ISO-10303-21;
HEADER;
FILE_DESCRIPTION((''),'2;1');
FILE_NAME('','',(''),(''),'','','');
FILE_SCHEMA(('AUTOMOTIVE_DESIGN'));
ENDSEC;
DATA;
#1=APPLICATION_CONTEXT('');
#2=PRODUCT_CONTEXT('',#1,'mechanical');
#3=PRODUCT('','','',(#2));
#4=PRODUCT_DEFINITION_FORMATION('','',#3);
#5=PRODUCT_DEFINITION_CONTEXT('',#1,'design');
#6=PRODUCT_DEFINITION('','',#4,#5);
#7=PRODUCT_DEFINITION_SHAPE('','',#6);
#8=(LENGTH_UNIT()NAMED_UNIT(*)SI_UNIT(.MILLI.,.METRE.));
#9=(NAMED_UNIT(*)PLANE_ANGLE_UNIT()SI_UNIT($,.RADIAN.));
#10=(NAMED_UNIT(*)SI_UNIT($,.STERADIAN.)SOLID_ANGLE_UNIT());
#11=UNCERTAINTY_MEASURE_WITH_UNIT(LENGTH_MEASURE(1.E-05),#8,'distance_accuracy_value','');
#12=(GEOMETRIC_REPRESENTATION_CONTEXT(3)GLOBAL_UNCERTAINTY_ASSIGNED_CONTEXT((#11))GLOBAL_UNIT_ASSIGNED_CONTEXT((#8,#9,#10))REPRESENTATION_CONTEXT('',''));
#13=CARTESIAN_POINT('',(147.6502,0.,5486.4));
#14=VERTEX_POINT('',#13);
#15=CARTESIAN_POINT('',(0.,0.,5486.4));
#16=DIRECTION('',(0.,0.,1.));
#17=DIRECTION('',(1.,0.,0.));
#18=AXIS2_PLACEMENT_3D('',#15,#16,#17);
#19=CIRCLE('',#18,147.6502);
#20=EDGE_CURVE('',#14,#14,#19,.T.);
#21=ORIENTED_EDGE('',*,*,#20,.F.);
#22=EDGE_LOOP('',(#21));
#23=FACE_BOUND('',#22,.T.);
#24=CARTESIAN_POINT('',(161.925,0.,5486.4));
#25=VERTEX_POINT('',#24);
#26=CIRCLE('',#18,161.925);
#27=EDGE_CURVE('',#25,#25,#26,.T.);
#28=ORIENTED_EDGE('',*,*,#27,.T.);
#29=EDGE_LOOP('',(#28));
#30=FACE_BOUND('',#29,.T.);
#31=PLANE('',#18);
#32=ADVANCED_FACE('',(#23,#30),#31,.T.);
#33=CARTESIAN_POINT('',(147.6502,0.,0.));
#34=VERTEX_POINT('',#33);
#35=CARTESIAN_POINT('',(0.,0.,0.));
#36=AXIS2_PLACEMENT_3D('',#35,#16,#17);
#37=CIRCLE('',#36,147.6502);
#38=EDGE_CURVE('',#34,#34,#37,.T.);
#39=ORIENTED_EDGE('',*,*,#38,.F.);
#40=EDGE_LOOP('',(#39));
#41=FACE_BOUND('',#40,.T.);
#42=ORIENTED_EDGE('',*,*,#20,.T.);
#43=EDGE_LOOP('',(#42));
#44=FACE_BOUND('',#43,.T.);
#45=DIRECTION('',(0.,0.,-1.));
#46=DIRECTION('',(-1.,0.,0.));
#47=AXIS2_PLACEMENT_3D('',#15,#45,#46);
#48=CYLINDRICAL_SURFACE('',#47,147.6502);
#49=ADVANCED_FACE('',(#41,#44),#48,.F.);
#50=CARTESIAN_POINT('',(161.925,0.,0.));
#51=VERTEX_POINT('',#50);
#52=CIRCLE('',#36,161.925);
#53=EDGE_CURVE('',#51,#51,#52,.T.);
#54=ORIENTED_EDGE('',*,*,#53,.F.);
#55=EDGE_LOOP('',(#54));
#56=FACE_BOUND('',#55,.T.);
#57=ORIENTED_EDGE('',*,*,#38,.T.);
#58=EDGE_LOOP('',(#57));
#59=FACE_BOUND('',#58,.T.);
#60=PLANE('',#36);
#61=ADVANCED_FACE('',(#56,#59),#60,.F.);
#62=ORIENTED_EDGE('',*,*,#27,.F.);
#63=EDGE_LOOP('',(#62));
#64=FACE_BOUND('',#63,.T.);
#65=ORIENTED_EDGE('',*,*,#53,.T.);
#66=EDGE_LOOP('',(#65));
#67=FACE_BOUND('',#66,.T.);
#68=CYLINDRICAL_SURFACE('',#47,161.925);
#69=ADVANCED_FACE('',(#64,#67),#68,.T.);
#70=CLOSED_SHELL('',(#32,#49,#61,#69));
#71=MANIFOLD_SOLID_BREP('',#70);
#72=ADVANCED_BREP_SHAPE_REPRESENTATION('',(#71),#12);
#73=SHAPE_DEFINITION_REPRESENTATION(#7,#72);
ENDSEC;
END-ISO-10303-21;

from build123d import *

# Parameters (mm, degrees)
PIPESKETCH_R    = 161.925
PIPESKETCH_R_2  = 147.6502
EXTRUSION_DEPTH = 5486.4


with BuildPart() as part:
    # PipeSketch → Extrusion (new body)
    with BuildSketch(Plane.XY):
        Circle(PIPESKETCH_R)
        Circle(PIPESKETCH_R_2, mode=Mode.SUBTRACT)
    extrude(amount=EXTRUSION_DEPTH)


solid = part.part
